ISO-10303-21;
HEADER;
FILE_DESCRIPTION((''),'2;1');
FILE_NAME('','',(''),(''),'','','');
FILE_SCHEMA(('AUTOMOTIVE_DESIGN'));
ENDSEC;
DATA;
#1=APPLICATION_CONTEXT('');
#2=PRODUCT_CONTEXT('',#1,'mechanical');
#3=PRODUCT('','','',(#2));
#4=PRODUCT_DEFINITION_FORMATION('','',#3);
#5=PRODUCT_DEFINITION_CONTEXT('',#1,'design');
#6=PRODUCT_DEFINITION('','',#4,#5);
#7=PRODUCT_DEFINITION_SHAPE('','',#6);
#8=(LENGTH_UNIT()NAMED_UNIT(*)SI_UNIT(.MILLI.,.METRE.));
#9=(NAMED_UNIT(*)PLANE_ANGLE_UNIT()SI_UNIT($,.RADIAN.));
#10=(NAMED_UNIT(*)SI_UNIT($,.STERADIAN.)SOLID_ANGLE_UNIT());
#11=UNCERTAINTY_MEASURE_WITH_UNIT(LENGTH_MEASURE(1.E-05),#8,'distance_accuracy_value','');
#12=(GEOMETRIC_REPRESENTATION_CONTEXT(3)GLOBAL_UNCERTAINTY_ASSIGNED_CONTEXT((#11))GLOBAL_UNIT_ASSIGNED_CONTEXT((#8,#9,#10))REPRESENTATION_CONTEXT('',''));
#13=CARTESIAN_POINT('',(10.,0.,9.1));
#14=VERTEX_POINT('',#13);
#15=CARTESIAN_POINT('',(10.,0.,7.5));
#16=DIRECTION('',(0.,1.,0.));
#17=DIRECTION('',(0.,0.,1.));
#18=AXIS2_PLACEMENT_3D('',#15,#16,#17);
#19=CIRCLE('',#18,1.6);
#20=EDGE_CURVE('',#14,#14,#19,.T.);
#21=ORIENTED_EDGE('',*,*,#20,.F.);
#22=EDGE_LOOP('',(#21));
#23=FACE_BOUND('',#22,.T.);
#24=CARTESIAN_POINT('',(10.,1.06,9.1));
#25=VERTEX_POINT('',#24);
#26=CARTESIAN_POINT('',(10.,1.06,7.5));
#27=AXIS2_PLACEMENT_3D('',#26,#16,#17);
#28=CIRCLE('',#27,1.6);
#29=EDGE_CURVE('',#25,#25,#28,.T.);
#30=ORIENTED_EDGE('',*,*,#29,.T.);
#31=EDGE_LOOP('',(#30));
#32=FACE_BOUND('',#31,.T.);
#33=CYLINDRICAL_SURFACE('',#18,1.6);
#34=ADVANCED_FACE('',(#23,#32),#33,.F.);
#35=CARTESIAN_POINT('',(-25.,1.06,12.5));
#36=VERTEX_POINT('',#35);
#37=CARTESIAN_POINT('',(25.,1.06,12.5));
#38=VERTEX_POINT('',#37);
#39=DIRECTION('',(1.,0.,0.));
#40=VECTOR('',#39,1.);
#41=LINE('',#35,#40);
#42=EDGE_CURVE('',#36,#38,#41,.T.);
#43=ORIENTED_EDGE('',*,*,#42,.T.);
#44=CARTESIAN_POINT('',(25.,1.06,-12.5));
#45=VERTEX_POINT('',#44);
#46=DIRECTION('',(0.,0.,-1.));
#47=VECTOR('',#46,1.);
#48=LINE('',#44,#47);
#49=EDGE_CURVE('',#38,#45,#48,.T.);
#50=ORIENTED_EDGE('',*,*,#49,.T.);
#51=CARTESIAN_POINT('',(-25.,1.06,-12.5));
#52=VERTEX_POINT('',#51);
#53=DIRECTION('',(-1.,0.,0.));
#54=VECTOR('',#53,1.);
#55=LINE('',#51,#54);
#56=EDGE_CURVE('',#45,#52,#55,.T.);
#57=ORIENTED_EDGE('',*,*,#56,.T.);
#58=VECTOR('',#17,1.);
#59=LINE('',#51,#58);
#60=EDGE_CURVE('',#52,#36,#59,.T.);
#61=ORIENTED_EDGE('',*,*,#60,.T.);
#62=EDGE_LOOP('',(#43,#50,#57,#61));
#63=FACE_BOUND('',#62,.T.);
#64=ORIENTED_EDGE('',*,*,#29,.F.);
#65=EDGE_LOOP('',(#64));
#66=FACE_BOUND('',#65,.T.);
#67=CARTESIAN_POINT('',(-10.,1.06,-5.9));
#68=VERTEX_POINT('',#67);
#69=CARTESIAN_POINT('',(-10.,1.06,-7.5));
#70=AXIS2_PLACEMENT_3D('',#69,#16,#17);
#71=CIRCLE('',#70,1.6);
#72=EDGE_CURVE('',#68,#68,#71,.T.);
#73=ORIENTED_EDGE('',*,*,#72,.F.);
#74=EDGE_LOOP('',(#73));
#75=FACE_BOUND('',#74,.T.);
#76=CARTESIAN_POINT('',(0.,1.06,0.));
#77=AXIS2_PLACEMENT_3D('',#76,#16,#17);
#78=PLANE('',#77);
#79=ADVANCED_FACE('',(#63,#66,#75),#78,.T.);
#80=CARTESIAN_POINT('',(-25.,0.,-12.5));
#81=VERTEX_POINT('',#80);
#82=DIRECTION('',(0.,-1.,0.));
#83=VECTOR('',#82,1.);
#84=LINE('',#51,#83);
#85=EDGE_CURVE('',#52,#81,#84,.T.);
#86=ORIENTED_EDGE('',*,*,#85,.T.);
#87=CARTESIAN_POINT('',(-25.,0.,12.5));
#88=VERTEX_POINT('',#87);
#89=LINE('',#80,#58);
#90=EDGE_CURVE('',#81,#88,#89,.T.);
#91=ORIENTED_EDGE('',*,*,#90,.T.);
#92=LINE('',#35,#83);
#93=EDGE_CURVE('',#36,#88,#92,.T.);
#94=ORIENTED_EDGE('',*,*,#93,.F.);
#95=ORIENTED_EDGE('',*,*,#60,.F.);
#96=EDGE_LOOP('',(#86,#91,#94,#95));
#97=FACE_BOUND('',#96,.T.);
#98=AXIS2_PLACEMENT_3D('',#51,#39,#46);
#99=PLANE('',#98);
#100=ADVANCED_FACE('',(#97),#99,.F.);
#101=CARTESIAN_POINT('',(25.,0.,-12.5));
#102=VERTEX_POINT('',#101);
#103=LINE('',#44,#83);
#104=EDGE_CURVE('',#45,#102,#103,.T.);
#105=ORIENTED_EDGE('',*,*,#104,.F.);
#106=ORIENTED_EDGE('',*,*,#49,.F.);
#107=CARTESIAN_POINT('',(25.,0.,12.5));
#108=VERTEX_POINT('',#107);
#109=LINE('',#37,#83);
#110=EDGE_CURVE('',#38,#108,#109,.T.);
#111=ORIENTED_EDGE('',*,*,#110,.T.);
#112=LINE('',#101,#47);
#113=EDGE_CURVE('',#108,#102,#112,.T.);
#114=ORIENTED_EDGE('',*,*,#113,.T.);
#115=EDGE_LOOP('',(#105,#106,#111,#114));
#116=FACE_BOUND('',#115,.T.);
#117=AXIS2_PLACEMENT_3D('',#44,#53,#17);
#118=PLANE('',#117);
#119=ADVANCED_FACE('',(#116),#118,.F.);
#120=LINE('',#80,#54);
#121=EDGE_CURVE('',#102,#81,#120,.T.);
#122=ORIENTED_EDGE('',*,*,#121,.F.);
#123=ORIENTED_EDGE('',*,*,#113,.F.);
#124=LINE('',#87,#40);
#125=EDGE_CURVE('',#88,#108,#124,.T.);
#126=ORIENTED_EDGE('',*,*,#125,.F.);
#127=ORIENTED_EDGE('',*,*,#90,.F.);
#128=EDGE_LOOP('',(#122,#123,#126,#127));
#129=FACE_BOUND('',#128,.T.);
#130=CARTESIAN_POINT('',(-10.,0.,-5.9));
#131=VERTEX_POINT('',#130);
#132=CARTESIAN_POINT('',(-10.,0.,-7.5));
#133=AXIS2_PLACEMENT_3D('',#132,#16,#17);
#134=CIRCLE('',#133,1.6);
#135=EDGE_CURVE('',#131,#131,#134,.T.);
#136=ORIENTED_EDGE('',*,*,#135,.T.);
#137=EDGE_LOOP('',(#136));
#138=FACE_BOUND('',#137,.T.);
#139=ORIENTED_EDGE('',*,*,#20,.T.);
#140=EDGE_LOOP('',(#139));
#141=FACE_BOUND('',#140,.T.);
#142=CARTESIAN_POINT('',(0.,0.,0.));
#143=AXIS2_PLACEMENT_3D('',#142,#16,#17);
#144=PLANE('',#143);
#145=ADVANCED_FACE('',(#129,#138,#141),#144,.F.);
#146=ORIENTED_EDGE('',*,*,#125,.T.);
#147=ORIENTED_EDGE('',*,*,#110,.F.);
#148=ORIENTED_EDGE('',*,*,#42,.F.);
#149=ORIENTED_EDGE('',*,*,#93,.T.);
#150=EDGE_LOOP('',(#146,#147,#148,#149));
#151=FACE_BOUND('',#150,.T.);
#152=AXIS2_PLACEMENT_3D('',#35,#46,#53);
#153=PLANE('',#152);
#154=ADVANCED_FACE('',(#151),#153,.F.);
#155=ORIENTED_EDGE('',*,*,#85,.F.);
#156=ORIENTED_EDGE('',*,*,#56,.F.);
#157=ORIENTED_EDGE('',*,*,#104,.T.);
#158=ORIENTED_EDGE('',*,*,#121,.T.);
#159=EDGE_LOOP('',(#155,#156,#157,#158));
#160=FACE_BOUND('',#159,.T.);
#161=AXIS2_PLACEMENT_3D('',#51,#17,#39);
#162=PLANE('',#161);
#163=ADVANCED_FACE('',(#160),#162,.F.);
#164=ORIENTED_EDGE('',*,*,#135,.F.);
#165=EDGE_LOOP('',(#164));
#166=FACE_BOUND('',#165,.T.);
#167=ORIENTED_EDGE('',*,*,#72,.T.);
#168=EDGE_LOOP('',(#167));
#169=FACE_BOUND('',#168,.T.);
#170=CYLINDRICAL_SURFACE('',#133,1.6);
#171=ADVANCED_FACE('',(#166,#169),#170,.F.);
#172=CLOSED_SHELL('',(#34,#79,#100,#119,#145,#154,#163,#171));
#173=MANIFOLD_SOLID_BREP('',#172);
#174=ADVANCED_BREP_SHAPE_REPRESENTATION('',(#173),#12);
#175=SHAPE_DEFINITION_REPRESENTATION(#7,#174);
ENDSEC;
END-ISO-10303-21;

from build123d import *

# Parameters (mm, degrees)
SKETCH1_W           = 50
SKETCH1_H           = 25
BOSS_EXTRUDE1_DEPTH = 1.06
SKETCH2_R           = 1.6
CUT_EXTRUDE1_DEPTH  = 2.06


with BuildPart() as part:
    # Sketch1 → Boss-Extrude1 (new body)
    with BuildSketch(Plane(origin=(0, 0, 0), x_dir=(1, 0, 0), z_dir=(0, 1, 0))):
        Rectangle(SKETCH1_W, SKETCH1_H)
    extrude(amount=BOSS_EXTRUDE1_DEPTH)

    # Sketch2 → Cut-Extrude1 (cut, through all)
    with BuildSketch(Plane(origin=(0, 1.06, 0), x_dir=(1, 0, 0), z_dir=(0, 1, 0))):
        with Locations((-10, 7.5)):
            Circle(SKETCH2_R)
        with Locations((10, -7.5)):
            Circle(SKETCH2_R)
    extrude(amount=-CUT_EXTRUDE1_DEPTH, mode=Mode.SUBTRACT)


solid = part.part
